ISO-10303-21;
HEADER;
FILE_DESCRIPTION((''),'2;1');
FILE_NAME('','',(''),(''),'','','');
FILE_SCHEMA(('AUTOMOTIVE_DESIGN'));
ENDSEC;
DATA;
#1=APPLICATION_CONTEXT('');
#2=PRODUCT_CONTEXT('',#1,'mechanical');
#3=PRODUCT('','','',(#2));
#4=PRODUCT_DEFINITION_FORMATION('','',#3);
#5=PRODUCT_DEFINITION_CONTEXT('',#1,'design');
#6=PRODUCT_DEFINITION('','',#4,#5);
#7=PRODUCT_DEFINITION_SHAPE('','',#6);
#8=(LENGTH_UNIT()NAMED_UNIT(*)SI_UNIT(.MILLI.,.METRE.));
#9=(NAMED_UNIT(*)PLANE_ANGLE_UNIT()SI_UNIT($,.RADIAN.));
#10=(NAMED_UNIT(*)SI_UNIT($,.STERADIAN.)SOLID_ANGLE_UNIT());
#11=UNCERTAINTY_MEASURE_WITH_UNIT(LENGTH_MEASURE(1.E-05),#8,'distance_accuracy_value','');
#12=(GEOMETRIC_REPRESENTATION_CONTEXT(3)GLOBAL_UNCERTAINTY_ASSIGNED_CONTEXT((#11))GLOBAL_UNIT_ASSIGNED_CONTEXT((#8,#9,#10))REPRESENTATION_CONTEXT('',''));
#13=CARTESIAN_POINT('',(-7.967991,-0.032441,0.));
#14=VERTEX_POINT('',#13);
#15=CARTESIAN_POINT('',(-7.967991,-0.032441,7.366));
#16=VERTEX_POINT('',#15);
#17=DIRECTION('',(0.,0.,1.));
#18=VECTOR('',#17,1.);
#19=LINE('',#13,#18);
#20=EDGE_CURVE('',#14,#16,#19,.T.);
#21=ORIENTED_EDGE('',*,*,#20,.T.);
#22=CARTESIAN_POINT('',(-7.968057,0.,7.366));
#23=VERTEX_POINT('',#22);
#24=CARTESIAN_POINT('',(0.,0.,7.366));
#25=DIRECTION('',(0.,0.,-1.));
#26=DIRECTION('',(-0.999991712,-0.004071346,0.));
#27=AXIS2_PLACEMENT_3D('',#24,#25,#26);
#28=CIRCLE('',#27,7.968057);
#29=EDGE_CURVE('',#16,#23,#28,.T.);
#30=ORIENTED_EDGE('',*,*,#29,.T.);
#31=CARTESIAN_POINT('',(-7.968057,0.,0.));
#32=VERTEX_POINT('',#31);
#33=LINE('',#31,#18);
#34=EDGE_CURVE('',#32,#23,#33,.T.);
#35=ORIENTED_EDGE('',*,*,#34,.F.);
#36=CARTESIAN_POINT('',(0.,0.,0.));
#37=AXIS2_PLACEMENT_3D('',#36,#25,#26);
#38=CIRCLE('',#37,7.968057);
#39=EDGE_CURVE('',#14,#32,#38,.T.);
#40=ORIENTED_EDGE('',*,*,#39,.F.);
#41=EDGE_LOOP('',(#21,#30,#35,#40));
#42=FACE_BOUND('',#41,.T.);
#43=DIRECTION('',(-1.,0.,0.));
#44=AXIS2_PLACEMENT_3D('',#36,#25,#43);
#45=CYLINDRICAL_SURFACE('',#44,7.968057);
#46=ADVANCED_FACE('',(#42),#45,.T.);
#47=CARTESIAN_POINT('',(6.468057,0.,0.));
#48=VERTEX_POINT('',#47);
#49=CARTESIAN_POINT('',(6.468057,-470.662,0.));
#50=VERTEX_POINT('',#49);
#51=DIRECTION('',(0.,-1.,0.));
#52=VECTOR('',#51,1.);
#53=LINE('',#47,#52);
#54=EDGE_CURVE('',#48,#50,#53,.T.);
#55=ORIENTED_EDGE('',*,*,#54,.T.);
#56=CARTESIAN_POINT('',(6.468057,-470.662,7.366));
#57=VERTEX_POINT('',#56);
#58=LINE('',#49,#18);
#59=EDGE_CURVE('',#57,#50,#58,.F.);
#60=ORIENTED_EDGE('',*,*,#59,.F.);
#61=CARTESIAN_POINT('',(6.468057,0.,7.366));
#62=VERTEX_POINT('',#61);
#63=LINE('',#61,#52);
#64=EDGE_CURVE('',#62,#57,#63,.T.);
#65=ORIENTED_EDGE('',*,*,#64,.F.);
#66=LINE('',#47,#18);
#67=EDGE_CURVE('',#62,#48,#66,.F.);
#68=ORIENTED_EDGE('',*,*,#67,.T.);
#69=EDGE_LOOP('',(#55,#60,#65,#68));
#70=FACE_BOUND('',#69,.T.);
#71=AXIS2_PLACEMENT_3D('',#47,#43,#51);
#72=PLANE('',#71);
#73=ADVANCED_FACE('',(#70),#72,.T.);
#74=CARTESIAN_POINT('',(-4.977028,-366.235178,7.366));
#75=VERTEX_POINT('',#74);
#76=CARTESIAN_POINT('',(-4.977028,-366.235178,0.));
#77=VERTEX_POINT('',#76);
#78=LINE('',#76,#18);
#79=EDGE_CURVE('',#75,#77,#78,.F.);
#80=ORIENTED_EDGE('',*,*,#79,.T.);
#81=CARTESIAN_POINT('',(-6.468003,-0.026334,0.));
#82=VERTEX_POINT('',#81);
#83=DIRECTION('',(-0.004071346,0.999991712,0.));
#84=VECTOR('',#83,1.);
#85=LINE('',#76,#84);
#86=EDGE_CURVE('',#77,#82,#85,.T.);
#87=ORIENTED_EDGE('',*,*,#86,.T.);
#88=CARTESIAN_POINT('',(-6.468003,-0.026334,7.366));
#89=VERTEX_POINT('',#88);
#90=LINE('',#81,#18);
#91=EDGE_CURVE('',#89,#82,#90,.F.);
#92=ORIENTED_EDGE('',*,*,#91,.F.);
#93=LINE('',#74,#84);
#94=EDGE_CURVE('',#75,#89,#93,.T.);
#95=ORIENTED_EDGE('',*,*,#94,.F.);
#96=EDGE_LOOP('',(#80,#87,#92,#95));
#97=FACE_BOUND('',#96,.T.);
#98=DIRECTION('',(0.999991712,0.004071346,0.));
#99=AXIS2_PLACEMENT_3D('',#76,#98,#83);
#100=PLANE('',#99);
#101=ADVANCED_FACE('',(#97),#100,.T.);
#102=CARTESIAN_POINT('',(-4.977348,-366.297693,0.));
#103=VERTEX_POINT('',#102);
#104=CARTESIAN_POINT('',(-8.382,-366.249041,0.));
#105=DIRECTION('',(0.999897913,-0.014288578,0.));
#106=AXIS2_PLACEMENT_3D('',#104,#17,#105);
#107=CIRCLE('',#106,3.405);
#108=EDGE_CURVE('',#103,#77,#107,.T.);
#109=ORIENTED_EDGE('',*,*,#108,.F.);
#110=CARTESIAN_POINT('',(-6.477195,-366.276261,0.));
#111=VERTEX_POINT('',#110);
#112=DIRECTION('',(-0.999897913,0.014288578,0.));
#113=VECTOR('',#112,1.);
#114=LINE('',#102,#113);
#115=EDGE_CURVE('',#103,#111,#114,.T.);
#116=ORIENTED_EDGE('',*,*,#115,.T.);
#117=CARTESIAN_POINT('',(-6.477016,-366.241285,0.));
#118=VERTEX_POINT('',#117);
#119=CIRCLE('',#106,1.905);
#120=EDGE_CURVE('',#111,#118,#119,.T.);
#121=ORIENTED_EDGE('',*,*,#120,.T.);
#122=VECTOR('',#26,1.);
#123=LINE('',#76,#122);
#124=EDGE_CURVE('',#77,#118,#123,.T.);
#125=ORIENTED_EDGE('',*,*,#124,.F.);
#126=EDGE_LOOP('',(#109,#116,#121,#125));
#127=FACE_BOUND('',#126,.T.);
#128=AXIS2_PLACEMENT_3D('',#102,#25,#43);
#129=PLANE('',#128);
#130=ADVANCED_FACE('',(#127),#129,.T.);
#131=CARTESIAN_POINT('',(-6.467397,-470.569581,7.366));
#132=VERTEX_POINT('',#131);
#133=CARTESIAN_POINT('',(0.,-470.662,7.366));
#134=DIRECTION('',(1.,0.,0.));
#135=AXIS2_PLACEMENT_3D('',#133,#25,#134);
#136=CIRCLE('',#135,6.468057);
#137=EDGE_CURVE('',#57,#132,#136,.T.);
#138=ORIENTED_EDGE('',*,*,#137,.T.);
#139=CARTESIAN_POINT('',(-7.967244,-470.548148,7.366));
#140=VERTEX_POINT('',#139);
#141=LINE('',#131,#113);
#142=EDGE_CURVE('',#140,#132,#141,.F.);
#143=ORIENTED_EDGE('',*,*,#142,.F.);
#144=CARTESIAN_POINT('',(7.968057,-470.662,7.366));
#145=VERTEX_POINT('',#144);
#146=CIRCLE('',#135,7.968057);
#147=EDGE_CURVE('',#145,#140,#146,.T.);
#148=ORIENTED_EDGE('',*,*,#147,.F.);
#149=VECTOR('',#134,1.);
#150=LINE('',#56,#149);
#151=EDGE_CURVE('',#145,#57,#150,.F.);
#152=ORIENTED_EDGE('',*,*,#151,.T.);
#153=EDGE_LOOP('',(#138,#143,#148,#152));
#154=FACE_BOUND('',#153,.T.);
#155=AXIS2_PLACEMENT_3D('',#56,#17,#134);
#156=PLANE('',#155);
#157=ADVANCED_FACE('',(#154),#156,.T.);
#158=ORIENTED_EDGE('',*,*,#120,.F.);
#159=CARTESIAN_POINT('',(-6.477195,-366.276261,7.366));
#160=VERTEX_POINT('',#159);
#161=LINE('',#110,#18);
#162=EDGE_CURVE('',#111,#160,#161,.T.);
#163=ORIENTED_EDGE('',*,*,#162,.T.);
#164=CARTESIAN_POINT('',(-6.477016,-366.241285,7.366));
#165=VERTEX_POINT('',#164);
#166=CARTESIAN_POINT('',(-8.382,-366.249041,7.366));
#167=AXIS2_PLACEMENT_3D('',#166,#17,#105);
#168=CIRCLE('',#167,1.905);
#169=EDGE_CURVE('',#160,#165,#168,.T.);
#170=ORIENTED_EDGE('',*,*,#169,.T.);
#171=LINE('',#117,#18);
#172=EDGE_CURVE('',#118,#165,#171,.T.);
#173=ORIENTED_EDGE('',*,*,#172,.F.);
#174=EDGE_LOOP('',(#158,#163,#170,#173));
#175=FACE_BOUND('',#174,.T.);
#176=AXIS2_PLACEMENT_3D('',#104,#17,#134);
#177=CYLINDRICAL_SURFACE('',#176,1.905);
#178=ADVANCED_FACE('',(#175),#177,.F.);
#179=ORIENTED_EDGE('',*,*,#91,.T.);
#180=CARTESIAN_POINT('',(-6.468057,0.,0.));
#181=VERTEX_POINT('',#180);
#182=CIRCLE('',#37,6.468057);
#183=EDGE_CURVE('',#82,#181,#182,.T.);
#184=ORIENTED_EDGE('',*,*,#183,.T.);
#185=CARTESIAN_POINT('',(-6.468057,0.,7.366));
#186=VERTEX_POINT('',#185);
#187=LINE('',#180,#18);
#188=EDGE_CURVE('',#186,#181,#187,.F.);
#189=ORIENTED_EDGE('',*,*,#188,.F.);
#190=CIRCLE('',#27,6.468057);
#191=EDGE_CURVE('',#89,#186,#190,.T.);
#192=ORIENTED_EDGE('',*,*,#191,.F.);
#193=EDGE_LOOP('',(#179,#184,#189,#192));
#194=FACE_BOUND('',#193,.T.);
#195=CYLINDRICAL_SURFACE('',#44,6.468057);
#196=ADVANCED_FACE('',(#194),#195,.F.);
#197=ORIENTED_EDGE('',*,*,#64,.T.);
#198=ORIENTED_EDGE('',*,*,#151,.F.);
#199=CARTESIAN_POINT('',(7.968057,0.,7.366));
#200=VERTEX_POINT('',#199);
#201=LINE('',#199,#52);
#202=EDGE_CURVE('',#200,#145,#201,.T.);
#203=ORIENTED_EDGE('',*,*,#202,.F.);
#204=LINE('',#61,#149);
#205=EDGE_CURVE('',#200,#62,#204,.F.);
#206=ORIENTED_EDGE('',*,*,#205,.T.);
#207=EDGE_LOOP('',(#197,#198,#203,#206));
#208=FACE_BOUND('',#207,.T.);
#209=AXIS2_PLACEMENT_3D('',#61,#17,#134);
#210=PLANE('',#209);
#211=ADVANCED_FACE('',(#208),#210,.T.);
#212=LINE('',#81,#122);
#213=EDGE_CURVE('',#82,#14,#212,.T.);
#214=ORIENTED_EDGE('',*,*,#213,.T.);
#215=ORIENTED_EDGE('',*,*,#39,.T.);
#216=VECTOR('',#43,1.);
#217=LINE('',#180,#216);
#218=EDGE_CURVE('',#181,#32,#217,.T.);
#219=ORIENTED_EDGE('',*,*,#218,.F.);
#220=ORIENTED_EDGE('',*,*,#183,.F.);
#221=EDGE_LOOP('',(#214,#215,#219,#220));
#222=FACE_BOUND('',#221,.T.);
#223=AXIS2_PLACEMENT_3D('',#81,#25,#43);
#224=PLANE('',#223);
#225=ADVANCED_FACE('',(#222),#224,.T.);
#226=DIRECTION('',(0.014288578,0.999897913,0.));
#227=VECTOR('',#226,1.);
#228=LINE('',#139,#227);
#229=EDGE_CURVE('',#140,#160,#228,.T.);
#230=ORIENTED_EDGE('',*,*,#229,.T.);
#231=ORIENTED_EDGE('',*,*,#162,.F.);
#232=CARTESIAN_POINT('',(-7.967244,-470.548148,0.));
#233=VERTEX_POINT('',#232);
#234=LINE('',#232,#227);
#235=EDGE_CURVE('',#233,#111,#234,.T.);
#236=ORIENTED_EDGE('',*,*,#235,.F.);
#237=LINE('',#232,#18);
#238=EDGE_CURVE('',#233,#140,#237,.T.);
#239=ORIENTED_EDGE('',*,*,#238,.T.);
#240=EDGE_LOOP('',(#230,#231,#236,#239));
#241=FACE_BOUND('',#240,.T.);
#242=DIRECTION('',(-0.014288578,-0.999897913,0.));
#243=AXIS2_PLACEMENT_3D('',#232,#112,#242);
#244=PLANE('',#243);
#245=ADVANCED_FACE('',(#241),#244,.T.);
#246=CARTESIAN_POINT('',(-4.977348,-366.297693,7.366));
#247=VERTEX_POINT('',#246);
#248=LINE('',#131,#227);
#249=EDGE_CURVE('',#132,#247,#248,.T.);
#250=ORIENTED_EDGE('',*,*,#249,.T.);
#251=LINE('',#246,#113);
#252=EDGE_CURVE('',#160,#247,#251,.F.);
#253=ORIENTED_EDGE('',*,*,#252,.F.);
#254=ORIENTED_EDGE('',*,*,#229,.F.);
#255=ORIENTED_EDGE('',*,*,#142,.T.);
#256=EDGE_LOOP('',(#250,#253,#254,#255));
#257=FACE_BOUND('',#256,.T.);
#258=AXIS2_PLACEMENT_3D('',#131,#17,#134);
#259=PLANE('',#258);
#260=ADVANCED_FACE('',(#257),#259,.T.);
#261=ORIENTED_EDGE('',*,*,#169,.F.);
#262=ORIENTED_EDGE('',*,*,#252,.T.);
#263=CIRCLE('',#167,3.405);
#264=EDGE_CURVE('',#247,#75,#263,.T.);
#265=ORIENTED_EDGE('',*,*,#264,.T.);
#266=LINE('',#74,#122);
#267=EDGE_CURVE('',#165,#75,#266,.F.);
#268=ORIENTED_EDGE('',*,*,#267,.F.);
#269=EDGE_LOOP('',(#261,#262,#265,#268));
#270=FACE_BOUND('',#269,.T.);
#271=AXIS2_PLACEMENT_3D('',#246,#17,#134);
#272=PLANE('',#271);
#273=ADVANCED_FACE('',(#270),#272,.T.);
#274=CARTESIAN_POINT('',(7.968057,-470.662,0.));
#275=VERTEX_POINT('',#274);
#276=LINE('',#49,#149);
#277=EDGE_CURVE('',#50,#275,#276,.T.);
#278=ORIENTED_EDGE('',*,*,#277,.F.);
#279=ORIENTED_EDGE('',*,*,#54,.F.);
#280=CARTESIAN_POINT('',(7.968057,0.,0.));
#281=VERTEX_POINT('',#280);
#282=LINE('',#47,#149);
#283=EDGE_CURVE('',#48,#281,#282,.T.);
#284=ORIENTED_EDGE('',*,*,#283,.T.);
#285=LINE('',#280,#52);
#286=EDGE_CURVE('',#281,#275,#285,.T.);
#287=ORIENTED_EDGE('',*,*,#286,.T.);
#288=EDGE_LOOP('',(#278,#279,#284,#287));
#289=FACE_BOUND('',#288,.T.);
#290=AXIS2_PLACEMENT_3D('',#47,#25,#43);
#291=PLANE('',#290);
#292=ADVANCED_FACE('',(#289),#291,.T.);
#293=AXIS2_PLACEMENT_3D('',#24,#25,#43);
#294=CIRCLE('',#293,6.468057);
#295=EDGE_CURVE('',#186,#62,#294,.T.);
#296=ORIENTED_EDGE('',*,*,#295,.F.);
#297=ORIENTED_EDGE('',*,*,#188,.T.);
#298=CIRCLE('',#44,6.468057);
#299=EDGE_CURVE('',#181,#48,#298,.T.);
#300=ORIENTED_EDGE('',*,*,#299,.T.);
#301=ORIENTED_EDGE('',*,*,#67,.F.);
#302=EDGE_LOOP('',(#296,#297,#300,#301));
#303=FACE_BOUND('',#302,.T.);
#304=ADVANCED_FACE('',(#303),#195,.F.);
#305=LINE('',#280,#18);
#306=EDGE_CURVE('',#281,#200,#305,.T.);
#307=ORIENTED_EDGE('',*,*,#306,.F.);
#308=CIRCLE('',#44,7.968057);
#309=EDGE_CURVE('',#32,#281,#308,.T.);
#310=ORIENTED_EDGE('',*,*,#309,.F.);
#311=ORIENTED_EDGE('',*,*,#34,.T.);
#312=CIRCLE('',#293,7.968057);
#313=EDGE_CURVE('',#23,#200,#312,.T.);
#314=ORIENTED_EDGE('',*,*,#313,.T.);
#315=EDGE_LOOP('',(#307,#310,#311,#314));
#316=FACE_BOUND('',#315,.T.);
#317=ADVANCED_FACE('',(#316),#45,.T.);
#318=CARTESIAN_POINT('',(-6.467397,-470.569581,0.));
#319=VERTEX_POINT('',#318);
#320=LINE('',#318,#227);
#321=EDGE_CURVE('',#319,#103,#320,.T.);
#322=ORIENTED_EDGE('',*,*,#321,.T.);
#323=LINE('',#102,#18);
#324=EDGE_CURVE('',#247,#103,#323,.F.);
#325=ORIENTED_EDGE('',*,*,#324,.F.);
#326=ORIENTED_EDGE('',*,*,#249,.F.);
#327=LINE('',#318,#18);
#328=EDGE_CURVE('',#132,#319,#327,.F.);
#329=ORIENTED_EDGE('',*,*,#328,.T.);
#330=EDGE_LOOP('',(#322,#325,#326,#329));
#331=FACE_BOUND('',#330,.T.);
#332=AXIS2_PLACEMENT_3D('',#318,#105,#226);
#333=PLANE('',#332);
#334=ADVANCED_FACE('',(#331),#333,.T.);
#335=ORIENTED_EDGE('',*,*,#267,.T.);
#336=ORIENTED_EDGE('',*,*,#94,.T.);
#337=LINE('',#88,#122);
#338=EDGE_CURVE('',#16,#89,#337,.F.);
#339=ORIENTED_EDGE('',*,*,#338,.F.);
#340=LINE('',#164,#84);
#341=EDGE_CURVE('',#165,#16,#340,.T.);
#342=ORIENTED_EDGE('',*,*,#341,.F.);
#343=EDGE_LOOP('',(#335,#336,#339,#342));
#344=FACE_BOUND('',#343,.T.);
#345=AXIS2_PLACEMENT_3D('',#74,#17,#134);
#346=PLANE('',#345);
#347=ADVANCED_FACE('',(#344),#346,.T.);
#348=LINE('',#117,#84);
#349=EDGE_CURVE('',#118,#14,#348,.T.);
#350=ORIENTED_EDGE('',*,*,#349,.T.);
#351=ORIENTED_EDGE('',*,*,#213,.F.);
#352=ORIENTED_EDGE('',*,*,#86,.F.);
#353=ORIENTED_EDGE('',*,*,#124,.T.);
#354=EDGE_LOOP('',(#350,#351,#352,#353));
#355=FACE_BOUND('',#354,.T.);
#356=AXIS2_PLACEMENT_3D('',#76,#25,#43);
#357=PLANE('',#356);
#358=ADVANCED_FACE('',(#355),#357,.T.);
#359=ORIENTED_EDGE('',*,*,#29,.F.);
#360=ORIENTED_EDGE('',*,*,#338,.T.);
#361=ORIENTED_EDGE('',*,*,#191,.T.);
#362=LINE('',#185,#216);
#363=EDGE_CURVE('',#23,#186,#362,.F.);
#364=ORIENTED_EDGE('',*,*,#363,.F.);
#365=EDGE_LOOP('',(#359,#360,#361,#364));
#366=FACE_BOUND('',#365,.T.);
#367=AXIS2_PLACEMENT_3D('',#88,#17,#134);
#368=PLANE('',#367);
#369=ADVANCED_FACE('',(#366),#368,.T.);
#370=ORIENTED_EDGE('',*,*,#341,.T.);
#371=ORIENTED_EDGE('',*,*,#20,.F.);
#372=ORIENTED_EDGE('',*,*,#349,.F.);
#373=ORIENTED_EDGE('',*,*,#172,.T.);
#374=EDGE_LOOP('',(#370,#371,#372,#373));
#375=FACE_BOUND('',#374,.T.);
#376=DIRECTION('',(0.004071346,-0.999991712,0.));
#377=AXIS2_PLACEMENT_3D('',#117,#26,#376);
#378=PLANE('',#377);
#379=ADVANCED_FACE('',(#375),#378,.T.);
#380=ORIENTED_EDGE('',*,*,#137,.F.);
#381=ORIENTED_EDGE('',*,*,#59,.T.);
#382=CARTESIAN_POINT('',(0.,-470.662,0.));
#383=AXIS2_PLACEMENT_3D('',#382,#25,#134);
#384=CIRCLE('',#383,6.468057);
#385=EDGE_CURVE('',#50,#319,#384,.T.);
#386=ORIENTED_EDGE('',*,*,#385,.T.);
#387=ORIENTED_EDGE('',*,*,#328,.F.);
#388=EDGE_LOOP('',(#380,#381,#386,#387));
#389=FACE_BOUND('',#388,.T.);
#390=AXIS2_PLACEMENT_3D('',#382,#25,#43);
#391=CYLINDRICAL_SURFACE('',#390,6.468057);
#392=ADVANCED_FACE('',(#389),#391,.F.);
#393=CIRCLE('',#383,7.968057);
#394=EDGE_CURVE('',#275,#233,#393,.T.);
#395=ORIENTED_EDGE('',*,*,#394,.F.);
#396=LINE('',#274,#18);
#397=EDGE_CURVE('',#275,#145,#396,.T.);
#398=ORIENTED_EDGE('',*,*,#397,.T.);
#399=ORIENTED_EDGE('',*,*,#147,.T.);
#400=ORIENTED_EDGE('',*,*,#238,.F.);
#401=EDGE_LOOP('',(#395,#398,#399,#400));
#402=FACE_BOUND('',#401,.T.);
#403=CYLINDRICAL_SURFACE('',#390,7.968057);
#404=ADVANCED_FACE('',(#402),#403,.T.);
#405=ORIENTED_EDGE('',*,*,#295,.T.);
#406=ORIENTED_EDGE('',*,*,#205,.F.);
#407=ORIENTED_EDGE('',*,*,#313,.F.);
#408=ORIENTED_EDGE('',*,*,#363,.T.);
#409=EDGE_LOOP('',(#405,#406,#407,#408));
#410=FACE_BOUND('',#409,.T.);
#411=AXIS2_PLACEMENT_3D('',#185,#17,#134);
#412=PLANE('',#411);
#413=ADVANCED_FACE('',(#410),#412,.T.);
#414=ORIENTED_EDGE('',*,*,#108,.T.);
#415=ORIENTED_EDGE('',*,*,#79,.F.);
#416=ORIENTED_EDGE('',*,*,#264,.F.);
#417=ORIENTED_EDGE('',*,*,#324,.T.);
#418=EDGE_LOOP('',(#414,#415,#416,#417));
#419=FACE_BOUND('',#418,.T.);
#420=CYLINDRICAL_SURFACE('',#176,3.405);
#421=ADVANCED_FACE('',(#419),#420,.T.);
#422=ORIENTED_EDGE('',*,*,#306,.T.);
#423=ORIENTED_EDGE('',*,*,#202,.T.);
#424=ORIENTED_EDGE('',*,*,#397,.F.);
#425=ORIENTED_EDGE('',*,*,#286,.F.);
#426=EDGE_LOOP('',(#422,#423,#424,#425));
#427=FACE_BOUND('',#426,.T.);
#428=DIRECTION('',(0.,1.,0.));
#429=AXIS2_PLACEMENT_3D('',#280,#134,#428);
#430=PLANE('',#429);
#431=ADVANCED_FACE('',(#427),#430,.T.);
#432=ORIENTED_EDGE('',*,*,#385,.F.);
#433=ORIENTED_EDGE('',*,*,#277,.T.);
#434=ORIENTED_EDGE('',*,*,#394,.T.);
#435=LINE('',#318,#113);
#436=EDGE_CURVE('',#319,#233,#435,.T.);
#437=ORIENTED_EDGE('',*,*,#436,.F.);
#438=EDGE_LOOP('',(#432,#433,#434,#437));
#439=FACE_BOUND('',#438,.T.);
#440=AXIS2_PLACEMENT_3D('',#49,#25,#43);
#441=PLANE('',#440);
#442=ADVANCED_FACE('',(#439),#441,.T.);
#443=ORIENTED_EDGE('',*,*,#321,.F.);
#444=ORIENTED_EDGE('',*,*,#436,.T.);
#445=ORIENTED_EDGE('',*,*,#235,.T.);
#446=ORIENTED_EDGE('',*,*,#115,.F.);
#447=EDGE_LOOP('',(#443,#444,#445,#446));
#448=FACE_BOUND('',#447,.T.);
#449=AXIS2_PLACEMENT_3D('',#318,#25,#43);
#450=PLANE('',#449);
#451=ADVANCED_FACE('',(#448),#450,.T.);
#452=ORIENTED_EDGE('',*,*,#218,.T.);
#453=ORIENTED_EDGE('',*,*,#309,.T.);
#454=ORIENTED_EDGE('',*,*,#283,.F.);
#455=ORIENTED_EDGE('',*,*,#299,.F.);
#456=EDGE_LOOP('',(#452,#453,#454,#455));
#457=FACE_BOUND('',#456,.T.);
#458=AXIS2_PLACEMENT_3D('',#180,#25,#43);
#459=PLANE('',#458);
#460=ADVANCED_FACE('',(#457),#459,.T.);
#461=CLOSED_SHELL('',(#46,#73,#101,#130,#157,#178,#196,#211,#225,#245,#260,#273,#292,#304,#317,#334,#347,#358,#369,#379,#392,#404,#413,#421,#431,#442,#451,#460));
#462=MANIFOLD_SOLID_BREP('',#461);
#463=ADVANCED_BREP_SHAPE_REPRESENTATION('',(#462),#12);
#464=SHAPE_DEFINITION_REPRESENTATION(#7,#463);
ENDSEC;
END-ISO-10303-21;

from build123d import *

# Parameters (mm, degrees)
SKETCH3_W = 1.5
SKETCH3_H = 7.366


with BuildPart() as part:
    # Sweep2: sweep along a path in Sketch2
    with BuildLine(Plane.XY) as sweep2_path:
        Line((7.218056998, -470.662), (7.218056998, 0))
        ThreePointArc((7.218056998, 0), (-0.014693633, 7.218042042), (-7.217997175, -0.029387206))
        Line((-7.217997175, -0.029387206), (-5.727022005, -366.238231444))
        ThreePointArc((-5.727022005, -366.238231444), (-5.727034648, -366.262604814), (-5.727271041, -366.286977041))
        Line((-5.727271041, -366.286977041), (-7.217320128, -470.558864231))
        ThreePointArc((-7.217320128, -470.558864231), (-0.051569201, -477.879872778), (7.218056998, -470.662))
    # Sketch3 → Sweep2 (sweep)
    with BuildSketch(Plane(origin=(0, 0, 0), x_dir=(1, 0, 0), z_dir=(0, 1, 0))):
        with Locations((-7.218057041, -3.683)):
            Rectangle(SKETCH3_W, SKETCH3_H)
    sweep(path=sweep2_path.line)


solid = part.part
